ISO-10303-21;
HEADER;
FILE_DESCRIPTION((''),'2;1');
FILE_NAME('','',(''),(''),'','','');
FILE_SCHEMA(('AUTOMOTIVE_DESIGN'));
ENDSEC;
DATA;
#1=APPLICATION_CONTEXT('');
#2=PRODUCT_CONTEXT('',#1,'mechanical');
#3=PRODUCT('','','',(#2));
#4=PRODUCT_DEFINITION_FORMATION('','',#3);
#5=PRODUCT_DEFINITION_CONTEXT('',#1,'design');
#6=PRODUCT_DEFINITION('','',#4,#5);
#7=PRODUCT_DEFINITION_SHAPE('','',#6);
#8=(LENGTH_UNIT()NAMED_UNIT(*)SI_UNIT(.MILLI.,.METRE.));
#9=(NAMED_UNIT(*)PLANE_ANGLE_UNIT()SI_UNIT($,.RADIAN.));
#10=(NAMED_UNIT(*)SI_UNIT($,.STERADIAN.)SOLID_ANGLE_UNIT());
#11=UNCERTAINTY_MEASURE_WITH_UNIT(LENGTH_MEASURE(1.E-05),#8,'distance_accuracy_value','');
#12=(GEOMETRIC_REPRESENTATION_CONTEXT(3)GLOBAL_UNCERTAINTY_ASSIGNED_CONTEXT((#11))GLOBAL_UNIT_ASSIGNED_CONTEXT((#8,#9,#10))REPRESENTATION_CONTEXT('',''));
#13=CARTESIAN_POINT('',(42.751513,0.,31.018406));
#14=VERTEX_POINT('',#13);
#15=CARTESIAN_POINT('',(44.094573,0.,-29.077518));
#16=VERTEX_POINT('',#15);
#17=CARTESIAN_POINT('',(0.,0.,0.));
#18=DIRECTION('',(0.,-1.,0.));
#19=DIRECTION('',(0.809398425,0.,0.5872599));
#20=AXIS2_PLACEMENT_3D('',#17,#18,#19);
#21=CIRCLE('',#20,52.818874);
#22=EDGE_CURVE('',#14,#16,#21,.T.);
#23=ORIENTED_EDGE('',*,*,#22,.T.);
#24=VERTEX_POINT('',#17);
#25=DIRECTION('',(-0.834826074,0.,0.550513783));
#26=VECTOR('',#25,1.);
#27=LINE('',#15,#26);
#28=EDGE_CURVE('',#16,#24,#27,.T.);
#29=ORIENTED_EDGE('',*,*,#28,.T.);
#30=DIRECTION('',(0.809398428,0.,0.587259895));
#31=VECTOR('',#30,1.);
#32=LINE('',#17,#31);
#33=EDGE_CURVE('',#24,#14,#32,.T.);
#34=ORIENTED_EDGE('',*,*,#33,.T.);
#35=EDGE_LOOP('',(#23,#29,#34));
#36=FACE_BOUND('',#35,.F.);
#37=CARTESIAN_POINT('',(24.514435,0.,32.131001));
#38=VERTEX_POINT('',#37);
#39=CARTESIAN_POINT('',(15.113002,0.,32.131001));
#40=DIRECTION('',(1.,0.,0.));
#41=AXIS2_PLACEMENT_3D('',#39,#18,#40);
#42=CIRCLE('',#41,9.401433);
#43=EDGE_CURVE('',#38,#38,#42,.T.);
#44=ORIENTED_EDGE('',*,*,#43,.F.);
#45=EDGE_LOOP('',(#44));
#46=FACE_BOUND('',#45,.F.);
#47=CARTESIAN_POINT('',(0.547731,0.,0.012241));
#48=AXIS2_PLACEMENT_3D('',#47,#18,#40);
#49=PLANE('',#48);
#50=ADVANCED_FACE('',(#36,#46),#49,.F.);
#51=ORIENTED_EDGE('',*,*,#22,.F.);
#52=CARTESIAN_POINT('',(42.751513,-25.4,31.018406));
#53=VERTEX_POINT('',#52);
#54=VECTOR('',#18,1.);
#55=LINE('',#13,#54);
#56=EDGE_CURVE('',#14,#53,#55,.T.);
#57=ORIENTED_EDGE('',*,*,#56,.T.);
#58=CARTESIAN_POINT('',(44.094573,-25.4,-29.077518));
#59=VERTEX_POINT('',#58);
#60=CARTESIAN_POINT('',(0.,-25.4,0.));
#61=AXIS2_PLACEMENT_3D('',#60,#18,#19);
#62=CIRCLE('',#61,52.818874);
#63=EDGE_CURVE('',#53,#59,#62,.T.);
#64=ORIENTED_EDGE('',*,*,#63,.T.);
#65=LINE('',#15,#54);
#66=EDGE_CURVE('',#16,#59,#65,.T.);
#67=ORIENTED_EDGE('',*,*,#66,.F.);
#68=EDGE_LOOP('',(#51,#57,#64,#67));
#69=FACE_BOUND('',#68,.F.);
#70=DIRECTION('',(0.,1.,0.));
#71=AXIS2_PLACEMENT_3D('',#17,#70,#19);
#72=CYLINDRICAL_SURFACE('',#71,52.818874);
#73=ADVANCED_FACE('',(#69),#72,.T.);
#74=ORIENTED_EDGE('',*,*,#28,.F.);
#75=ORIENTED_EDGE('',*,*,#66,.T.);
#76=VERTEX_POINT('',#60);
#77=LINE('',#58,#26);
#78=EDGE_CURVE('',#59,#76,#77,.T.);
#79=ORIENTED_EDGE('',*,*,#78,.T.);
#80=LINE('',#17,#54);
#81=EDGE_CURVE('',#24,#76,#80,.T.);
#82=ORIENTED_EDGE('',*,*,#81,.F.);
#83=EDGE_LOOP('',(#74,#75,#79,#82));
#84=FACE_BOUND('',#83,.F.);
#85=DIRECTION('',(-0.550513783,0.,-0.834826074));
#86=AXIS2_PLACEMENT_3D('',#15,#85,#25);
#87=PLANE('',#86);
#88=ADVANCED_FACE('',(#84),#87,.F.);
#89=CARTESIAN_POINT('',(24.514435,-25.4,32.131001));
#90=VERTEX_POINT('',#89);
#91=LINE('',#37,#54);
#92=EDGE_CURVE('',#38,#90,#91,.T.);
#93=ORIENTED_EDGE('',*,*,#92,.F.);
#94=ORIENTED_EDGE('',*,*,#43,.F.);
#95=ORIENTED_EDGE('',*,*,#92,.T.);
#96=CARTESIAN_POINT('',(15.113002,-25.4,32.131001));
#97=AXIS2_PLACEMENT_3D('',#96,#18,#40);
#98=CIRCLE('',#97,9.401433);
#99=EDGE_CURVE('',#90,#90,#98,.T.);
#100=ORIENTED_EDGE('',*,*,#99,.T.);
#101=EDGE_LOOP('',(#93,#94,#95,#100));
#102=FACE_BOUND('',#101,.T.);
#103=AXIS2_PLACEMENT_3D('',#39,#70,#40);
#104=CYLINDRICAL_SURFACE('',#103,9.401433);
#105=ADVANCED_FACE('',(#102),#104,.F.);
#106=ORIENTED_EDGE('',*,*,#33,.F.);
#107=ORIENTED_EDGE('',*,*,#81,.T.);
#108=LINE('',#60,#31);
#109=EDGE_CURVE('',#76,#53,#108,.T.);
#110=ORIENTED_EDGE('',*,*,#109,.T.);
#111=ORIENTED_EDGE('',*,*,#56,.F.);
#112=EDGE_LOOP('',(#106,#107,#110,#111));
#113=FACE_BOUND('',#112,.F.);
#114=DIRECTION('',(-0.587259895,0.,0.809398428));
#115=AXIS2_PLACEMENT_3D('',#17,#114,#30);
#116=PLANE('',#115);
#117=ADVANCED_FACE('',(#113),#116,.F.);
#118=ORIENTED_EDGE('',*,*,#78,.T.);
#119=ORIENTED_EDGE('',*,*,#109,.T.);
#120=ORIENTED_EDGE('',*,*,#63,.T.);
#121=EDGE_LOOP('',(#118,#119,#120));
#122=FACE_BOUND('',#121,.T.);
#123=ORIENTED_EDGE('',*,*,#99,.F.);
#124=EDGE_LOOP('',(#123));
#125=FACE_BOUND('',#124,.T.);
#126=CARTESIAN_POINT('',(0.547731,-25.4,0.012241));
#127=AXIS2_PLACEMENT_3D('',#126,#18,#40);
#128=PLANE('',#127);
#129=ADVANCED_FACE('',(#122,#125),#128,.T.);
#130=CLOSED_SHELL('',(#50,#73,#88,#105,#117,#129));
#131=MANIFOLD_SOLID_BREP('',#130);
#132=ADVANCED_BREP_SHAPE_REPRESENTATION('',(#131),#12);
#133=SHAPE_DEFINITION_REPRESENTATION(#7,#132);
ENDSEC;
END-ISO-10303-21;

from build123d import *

# Parameters (mm, degrees)
F0_R     = 9.401433
F1_DEPTH = 25.4


with BuildPart() as f1:
    # F0 (on Front) → F1 (new body)
    with BuildSketch(Plane.XZ):
        with BuildLine():
            Line((0, 0), (42.751513, 31.018406))
            ThreePointArc((42.751513, 31.018406), (-52.805688, -1.180134), (44.094573, -29.077518))
            Line((44.094573, -29.077518), (0, 0))
        make_face()
        with Locations((15.113002, 32.131001)):
            Circle(F0_R, mode=Mode.SUBTRACT)
    extrude(amount=F1_DEPTH)


solid = f1.part
